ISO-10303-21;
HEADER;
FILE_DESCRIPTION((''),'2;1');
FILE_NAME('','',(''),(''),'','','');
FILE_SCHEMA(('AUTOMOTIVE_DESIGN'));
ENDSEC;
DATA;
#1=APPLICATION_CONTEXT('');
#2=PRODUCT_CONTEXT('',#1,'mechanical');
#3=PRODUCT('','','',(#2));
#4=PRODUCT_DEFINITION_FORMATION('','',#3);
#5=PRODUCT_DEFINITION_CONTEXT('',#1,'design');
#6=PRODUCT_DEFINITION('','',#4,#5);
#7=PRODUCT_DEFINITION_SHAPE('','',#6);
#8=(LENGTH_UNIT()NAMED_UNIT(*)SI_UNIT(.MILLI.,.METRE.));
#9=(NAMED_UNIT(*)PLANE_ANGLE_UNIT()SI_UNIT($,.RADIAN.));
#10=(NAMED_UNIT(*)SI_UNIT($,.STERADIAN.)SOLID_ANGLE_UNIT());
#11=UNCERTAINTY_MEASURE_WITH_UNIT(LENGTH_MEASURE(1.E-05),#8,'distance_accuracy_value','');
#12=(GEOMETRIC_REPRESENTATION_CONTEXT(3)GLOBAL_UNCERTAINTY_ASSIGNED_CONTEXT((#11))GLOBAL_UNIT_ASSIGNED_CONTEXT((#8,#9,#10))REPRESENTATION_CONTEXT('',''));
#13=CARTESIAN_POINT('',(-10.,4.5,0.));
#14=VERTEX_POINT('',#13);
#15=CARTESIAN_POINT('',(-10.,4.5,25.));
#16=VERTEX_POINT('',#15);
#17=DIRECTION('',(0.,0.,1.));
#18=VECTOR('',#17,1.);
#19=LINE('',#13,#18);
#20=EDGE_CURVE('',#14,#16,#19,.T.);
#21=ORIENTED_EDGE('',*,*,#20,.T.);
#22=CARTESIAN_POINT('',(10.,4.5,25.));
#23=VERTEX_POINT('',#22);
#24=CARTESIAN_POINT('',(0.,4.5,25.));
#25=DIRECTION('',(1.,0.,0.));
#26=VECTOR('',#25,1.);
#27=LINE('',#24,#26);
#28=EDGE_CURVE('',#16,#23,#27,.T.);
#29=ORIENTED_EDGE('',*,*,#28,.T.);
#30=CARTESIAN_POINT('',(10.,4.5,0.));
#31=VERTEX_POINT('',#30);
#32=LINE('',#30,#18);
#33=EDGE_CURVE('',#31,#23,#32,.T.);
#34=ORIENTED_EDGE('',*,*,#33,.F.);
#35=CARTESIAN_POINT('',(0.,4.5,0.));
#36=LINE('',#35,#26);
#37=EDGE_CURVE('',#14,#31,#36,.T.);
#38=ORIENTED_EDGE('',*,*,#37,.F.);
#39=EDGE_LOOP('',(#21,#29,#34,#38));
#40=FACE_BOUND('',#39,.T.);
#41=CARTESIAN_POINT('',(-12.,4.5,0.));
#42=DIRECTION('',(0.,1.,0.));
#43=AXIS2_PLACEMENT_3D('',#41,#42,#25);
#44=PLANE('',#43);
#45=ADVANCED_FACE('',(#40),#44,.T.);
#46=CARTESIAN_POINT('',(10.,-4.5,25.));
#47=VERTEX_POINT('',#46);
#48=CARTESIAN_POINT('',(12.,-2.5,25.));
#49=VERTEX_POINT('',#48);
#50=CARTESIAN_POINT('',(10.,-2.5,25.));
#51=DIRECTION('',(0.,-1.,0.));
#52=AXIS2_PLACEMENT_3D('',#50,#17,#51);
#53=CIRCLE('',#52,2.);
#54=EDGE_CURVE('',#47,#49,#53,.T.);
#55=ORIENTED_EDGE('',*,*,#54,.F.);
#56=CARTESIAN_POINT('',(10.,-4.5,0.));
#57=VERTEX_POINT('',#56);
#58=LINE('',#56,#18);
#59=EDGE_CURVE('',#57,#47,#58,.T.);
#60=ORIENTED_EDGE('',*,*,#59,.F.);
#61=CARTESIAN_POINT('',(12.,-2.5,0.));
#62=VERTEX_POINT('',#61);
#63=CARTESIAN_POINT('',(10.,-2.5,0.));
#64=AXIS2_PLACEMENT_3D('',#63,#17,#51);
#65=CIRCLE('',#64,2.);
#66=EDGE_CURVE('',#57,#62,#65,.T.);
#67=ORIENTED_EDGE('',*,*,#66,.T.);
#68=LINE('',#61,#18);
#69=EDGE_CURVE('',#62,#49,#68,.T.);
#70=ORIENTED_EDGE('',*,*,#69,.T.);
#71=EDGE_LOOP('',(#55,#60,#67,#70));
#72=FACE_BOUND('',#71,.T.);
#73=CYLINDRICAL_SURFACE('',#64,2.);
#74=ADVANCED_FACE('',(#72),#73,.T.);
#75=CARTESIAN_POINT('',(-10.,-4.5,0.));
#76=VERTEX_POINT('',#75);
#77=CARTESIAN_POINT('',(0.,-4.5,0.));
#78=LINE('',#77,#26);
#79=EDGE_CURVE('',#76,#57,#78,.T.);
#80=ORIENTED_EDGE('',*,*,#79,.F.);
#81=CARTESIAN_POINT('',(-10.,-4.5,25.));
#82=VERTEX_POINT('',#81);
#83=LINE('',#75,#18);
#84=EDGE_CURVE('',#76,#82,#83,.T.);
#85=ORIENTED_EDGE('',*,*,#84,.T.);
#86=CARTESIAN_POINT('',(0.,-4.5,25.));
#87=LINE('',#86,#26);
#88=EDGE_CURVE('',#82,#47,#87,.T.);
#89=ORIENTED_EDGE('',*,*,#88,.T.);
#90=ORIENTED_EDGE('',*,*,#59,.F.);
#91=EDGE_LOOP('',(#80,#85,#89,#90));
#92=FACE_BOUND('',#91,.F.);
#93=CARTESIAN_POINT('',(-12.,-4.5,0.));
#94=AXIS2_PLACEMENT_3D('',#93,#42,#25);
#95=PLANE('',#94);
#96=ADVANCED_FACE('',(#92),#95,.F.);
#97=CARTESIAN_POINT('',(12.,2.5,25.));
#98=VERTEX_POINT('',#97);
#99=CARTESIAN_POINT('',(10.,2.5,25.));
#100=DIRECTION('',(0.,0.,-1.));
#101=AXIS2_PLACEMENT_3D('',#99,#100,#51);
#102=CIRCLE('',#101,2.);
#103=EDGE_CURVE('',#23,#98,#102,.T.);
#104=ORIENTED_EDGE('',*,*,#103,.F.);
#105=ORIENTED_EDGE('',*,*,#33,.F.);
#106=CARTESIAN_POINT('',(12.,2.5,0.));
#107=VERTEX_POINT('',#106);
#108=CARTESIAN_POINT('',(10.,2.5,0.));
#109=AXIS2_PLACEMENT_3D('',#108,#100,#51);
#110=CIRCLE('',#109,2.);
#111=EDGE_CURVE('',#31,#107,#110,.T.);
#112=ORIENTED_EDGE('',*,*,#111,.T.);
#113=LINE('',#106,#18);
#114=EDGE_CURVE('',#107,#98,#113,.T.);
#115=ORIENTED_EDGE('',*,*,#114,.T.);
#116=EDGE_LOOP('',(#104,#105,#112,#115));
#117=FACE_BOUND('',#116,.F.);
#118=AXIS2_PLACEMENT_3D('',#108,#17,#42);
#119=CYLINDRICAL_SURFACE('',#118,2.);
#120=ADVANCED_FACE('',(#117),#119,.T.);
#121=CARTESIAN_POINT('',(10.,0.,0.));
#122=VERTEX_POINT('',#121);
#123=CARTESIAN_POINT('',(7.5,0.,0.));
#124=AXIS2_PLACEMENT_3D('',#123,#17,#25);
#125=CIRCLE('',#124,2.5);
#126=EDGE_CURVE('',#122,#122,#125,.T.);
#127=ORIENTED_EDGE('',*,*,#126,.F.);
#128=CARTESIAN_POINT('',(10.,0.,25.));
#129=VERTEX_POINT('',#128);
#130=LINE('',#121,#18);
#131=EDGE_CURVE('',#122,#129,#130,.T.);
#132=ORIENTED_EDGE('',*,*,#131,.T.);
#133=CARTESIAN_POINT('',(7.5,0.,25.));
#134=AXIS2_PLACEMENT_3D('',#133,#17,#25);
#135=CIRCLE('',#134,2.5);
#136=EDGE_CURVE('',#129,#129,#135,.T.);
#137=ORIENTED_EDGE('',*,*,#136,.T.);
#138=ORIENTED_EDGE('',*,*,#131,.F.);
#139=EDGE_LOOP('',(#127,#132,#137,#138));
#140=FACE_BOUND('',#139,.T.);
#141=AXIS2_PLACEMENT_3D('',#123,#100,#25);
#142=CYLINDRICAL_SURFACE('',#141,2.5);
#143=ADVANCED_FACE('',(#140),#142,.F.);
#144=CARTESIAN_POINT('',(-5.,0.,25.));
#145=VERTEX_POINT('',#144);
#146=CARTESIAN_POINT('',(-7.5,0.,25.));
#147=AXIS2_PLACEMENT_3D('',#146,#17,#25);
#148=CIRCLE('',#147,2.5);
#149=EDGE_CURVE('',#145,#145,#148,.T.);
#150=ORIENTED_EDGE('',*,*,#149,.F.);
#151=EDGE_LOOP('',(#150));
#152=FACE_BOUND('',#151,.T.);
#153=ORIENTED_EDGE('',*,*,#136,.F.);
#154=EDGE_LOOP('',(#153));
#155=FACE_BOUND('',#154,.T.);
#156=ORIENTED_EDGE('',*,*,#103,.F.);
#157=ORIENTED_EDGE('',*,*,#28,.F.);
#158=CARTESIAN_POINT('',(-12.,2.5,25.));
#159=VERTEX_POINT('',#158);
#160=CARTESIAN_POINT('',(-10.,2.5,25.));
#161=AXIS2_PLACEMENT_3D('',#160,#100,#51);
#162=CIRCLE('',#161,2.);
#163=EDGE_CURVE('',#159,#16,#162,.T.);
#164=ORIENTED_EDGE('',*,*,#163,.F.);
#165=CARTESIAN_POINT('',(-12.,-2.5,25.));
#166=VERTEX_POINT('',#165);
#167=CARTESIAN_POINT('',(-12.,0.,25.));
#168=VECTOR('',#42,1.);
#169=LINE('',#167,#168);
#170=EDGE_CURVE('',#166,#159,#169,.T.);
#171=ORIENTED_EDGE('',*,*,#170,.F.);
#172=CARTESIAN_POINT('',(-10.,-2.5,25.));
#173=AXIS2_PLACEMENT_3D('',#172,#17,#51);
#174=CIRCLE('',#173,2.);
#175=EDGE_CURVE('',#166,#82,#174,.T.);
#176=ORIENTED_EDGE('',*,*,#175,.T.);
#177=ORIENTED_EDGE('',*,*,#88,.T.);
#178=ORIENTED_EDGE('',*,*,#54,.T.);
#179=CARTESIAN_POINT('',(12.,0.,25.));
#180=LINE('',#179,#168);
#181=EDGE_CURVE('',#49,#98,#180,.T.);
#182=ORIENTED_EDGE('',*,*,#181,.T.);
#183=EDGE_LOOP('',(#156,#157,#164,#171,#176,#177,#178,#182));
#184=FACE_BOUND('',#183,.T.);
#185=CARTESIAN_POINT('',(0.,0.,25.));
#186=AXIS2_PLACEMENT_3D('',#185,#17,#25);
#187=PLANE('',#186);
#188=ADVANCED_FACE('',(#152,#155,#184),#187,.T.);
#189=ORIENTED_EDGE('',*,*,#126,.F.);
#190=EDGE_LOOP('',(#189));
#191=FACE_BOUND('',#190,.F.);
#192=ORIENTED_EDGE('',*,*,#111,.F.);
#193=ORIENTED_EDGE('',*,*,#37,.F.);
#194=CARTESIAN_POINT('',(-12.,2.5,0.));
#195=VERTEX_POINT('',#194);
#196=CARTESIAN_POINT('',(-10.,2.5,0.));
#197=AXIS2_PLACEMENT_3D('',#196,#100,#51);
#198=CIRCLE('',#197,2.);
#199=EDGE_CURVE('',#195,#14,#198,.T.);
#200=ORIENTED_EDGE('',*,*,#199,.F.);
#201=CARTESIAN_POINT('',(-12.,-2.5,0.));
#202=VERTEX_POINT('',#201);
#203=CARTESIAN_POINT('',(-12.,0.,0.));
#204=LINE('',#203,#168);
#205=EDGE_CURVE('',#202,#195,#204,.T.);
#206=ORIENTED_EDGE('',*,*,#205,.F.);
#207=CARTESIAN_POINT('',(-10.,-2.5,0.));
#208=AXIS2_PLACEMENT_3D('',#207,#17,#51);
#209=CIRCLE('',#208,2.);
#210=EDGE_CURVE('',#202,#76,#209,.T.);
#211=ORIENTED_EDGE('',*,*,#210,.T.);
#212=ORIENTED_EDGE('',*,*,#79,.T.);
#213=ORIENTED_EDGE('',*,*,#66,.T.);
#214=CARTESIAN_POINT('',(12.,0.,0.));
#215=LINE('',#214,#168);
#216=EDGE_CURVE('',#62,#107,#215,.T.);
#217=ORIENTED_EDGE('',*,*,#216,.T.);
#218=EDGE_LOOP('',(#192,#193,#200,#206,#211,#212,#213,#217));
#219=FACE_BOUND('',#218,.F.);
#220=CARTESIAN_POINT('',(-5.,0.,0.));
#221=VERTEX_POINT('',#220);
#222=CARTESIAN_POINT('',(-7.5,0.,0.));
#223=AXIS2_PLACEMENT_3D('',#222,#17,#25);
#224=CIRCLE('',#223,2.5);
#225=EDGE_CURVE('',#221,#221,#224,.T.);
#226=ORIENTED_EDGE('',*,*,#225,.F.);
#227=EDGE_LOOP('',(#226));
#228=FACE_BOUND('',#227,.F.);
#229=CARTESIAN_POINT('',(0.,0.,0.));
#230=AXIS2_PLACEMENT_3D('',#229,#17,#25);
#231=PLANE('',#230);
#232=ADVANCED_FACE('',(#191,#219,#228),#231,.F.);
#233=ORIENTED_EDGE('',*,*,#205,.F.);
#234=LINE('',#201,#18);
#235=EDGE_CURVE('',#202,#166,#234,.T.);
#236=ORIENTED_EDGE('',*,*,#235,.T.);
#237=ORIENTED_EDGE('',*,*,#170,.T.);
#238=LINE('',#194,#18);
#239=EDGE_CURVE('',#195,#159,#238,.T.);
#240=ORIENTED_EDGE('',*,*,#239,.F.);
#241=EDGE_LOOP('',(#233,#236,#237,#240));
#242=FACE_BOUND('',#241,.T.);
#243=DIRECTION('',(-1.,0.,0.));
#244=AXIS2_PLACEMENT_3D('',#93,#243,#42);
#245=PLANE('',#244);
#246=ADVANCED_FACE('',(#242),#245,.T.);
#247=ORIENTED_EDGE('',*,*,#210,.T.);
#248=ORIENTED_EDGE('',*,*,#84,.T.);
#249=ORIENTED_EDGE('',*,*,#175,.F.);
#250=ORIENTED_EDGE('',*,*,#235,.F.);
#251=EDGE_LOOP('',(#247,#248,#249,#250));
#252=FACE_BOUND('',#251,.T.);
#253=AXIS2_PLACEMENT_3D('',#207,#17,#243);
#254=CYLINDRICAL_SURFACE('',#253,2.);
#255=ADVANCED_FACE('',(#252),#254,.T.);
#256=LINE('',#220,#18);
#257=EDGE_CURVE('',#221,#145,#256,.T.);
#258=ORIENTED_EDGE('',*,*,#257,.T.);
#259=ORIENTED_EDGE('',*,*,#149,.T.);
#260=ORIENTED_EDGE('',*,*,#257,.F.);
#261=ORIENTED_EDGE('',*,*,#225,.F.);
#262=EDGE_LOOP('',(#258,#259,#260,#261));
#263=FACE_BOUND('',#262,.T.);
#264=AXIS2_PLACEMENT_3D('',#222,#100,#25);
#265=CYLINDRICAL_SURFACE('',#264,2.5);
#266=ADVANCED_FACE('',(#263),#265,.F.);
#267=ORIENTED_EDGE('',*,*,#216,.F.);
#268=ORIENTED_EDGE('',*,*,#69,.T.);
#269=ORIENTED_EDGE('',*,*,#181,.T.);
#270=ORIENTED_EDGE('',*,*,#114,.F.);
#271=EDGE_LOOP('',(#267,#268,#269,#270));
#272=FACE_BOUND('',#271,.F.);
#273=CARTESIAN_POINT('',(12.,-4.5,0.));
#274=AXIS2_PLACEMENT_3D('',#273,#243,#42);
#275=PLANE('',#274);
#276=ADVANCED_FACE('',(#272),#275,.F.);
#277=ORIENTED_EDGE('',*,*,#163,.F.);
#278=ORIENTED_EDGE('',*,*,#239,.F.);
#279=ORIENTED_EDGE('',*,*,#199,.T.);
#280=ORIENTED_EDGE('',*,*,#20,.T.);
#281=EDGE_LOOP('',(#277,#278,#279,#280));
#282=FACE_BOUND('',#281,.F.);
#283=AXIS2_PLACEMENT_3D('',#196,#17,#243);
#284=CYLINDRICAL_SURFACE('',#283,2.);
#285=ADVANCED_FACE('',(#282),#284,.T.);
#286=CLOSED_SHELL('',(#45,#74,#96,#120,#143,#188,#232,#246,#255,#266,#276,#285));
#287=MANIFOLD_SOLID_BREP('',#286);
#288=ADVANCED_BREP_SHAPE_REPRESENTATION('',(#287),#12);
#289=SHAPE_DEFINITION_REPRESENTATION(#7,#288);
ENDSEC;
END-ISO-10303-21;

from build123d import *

# Parameters (mm, degrees)
F0_W     = 24
F0_H     = 9
F0_R     = 2.5
F1_DEPTH = 25
F2_R     = 2


with BuildPart() as f1:
    # F0 (on Top) → F1 (new body)
    with BuildSketch(Plane.XY):
        Rectangle(F0_W, F0_H)
        with Locations((-7.5, 0)):
            Circle(F0_R, mode=Mode.SUBTRACT)
        with Locations((7.5, 0)):
            Circle(F0_R, mode=Mode.SUBTRACT)
    extrude(amount=F1_DEPTH)

    # F2
    f2_edges = [f1.edges().sort_by_distance(p)[0] for p in [
        (-12, 4.5, 12.5),
        (12, 4.5, 12.5),
        (12, -4.5, 12.5),
        (-12, -4.5, 12.5),
    ]]
    fillet(f2_edges, radius=F2_R)


solid = f1.part
